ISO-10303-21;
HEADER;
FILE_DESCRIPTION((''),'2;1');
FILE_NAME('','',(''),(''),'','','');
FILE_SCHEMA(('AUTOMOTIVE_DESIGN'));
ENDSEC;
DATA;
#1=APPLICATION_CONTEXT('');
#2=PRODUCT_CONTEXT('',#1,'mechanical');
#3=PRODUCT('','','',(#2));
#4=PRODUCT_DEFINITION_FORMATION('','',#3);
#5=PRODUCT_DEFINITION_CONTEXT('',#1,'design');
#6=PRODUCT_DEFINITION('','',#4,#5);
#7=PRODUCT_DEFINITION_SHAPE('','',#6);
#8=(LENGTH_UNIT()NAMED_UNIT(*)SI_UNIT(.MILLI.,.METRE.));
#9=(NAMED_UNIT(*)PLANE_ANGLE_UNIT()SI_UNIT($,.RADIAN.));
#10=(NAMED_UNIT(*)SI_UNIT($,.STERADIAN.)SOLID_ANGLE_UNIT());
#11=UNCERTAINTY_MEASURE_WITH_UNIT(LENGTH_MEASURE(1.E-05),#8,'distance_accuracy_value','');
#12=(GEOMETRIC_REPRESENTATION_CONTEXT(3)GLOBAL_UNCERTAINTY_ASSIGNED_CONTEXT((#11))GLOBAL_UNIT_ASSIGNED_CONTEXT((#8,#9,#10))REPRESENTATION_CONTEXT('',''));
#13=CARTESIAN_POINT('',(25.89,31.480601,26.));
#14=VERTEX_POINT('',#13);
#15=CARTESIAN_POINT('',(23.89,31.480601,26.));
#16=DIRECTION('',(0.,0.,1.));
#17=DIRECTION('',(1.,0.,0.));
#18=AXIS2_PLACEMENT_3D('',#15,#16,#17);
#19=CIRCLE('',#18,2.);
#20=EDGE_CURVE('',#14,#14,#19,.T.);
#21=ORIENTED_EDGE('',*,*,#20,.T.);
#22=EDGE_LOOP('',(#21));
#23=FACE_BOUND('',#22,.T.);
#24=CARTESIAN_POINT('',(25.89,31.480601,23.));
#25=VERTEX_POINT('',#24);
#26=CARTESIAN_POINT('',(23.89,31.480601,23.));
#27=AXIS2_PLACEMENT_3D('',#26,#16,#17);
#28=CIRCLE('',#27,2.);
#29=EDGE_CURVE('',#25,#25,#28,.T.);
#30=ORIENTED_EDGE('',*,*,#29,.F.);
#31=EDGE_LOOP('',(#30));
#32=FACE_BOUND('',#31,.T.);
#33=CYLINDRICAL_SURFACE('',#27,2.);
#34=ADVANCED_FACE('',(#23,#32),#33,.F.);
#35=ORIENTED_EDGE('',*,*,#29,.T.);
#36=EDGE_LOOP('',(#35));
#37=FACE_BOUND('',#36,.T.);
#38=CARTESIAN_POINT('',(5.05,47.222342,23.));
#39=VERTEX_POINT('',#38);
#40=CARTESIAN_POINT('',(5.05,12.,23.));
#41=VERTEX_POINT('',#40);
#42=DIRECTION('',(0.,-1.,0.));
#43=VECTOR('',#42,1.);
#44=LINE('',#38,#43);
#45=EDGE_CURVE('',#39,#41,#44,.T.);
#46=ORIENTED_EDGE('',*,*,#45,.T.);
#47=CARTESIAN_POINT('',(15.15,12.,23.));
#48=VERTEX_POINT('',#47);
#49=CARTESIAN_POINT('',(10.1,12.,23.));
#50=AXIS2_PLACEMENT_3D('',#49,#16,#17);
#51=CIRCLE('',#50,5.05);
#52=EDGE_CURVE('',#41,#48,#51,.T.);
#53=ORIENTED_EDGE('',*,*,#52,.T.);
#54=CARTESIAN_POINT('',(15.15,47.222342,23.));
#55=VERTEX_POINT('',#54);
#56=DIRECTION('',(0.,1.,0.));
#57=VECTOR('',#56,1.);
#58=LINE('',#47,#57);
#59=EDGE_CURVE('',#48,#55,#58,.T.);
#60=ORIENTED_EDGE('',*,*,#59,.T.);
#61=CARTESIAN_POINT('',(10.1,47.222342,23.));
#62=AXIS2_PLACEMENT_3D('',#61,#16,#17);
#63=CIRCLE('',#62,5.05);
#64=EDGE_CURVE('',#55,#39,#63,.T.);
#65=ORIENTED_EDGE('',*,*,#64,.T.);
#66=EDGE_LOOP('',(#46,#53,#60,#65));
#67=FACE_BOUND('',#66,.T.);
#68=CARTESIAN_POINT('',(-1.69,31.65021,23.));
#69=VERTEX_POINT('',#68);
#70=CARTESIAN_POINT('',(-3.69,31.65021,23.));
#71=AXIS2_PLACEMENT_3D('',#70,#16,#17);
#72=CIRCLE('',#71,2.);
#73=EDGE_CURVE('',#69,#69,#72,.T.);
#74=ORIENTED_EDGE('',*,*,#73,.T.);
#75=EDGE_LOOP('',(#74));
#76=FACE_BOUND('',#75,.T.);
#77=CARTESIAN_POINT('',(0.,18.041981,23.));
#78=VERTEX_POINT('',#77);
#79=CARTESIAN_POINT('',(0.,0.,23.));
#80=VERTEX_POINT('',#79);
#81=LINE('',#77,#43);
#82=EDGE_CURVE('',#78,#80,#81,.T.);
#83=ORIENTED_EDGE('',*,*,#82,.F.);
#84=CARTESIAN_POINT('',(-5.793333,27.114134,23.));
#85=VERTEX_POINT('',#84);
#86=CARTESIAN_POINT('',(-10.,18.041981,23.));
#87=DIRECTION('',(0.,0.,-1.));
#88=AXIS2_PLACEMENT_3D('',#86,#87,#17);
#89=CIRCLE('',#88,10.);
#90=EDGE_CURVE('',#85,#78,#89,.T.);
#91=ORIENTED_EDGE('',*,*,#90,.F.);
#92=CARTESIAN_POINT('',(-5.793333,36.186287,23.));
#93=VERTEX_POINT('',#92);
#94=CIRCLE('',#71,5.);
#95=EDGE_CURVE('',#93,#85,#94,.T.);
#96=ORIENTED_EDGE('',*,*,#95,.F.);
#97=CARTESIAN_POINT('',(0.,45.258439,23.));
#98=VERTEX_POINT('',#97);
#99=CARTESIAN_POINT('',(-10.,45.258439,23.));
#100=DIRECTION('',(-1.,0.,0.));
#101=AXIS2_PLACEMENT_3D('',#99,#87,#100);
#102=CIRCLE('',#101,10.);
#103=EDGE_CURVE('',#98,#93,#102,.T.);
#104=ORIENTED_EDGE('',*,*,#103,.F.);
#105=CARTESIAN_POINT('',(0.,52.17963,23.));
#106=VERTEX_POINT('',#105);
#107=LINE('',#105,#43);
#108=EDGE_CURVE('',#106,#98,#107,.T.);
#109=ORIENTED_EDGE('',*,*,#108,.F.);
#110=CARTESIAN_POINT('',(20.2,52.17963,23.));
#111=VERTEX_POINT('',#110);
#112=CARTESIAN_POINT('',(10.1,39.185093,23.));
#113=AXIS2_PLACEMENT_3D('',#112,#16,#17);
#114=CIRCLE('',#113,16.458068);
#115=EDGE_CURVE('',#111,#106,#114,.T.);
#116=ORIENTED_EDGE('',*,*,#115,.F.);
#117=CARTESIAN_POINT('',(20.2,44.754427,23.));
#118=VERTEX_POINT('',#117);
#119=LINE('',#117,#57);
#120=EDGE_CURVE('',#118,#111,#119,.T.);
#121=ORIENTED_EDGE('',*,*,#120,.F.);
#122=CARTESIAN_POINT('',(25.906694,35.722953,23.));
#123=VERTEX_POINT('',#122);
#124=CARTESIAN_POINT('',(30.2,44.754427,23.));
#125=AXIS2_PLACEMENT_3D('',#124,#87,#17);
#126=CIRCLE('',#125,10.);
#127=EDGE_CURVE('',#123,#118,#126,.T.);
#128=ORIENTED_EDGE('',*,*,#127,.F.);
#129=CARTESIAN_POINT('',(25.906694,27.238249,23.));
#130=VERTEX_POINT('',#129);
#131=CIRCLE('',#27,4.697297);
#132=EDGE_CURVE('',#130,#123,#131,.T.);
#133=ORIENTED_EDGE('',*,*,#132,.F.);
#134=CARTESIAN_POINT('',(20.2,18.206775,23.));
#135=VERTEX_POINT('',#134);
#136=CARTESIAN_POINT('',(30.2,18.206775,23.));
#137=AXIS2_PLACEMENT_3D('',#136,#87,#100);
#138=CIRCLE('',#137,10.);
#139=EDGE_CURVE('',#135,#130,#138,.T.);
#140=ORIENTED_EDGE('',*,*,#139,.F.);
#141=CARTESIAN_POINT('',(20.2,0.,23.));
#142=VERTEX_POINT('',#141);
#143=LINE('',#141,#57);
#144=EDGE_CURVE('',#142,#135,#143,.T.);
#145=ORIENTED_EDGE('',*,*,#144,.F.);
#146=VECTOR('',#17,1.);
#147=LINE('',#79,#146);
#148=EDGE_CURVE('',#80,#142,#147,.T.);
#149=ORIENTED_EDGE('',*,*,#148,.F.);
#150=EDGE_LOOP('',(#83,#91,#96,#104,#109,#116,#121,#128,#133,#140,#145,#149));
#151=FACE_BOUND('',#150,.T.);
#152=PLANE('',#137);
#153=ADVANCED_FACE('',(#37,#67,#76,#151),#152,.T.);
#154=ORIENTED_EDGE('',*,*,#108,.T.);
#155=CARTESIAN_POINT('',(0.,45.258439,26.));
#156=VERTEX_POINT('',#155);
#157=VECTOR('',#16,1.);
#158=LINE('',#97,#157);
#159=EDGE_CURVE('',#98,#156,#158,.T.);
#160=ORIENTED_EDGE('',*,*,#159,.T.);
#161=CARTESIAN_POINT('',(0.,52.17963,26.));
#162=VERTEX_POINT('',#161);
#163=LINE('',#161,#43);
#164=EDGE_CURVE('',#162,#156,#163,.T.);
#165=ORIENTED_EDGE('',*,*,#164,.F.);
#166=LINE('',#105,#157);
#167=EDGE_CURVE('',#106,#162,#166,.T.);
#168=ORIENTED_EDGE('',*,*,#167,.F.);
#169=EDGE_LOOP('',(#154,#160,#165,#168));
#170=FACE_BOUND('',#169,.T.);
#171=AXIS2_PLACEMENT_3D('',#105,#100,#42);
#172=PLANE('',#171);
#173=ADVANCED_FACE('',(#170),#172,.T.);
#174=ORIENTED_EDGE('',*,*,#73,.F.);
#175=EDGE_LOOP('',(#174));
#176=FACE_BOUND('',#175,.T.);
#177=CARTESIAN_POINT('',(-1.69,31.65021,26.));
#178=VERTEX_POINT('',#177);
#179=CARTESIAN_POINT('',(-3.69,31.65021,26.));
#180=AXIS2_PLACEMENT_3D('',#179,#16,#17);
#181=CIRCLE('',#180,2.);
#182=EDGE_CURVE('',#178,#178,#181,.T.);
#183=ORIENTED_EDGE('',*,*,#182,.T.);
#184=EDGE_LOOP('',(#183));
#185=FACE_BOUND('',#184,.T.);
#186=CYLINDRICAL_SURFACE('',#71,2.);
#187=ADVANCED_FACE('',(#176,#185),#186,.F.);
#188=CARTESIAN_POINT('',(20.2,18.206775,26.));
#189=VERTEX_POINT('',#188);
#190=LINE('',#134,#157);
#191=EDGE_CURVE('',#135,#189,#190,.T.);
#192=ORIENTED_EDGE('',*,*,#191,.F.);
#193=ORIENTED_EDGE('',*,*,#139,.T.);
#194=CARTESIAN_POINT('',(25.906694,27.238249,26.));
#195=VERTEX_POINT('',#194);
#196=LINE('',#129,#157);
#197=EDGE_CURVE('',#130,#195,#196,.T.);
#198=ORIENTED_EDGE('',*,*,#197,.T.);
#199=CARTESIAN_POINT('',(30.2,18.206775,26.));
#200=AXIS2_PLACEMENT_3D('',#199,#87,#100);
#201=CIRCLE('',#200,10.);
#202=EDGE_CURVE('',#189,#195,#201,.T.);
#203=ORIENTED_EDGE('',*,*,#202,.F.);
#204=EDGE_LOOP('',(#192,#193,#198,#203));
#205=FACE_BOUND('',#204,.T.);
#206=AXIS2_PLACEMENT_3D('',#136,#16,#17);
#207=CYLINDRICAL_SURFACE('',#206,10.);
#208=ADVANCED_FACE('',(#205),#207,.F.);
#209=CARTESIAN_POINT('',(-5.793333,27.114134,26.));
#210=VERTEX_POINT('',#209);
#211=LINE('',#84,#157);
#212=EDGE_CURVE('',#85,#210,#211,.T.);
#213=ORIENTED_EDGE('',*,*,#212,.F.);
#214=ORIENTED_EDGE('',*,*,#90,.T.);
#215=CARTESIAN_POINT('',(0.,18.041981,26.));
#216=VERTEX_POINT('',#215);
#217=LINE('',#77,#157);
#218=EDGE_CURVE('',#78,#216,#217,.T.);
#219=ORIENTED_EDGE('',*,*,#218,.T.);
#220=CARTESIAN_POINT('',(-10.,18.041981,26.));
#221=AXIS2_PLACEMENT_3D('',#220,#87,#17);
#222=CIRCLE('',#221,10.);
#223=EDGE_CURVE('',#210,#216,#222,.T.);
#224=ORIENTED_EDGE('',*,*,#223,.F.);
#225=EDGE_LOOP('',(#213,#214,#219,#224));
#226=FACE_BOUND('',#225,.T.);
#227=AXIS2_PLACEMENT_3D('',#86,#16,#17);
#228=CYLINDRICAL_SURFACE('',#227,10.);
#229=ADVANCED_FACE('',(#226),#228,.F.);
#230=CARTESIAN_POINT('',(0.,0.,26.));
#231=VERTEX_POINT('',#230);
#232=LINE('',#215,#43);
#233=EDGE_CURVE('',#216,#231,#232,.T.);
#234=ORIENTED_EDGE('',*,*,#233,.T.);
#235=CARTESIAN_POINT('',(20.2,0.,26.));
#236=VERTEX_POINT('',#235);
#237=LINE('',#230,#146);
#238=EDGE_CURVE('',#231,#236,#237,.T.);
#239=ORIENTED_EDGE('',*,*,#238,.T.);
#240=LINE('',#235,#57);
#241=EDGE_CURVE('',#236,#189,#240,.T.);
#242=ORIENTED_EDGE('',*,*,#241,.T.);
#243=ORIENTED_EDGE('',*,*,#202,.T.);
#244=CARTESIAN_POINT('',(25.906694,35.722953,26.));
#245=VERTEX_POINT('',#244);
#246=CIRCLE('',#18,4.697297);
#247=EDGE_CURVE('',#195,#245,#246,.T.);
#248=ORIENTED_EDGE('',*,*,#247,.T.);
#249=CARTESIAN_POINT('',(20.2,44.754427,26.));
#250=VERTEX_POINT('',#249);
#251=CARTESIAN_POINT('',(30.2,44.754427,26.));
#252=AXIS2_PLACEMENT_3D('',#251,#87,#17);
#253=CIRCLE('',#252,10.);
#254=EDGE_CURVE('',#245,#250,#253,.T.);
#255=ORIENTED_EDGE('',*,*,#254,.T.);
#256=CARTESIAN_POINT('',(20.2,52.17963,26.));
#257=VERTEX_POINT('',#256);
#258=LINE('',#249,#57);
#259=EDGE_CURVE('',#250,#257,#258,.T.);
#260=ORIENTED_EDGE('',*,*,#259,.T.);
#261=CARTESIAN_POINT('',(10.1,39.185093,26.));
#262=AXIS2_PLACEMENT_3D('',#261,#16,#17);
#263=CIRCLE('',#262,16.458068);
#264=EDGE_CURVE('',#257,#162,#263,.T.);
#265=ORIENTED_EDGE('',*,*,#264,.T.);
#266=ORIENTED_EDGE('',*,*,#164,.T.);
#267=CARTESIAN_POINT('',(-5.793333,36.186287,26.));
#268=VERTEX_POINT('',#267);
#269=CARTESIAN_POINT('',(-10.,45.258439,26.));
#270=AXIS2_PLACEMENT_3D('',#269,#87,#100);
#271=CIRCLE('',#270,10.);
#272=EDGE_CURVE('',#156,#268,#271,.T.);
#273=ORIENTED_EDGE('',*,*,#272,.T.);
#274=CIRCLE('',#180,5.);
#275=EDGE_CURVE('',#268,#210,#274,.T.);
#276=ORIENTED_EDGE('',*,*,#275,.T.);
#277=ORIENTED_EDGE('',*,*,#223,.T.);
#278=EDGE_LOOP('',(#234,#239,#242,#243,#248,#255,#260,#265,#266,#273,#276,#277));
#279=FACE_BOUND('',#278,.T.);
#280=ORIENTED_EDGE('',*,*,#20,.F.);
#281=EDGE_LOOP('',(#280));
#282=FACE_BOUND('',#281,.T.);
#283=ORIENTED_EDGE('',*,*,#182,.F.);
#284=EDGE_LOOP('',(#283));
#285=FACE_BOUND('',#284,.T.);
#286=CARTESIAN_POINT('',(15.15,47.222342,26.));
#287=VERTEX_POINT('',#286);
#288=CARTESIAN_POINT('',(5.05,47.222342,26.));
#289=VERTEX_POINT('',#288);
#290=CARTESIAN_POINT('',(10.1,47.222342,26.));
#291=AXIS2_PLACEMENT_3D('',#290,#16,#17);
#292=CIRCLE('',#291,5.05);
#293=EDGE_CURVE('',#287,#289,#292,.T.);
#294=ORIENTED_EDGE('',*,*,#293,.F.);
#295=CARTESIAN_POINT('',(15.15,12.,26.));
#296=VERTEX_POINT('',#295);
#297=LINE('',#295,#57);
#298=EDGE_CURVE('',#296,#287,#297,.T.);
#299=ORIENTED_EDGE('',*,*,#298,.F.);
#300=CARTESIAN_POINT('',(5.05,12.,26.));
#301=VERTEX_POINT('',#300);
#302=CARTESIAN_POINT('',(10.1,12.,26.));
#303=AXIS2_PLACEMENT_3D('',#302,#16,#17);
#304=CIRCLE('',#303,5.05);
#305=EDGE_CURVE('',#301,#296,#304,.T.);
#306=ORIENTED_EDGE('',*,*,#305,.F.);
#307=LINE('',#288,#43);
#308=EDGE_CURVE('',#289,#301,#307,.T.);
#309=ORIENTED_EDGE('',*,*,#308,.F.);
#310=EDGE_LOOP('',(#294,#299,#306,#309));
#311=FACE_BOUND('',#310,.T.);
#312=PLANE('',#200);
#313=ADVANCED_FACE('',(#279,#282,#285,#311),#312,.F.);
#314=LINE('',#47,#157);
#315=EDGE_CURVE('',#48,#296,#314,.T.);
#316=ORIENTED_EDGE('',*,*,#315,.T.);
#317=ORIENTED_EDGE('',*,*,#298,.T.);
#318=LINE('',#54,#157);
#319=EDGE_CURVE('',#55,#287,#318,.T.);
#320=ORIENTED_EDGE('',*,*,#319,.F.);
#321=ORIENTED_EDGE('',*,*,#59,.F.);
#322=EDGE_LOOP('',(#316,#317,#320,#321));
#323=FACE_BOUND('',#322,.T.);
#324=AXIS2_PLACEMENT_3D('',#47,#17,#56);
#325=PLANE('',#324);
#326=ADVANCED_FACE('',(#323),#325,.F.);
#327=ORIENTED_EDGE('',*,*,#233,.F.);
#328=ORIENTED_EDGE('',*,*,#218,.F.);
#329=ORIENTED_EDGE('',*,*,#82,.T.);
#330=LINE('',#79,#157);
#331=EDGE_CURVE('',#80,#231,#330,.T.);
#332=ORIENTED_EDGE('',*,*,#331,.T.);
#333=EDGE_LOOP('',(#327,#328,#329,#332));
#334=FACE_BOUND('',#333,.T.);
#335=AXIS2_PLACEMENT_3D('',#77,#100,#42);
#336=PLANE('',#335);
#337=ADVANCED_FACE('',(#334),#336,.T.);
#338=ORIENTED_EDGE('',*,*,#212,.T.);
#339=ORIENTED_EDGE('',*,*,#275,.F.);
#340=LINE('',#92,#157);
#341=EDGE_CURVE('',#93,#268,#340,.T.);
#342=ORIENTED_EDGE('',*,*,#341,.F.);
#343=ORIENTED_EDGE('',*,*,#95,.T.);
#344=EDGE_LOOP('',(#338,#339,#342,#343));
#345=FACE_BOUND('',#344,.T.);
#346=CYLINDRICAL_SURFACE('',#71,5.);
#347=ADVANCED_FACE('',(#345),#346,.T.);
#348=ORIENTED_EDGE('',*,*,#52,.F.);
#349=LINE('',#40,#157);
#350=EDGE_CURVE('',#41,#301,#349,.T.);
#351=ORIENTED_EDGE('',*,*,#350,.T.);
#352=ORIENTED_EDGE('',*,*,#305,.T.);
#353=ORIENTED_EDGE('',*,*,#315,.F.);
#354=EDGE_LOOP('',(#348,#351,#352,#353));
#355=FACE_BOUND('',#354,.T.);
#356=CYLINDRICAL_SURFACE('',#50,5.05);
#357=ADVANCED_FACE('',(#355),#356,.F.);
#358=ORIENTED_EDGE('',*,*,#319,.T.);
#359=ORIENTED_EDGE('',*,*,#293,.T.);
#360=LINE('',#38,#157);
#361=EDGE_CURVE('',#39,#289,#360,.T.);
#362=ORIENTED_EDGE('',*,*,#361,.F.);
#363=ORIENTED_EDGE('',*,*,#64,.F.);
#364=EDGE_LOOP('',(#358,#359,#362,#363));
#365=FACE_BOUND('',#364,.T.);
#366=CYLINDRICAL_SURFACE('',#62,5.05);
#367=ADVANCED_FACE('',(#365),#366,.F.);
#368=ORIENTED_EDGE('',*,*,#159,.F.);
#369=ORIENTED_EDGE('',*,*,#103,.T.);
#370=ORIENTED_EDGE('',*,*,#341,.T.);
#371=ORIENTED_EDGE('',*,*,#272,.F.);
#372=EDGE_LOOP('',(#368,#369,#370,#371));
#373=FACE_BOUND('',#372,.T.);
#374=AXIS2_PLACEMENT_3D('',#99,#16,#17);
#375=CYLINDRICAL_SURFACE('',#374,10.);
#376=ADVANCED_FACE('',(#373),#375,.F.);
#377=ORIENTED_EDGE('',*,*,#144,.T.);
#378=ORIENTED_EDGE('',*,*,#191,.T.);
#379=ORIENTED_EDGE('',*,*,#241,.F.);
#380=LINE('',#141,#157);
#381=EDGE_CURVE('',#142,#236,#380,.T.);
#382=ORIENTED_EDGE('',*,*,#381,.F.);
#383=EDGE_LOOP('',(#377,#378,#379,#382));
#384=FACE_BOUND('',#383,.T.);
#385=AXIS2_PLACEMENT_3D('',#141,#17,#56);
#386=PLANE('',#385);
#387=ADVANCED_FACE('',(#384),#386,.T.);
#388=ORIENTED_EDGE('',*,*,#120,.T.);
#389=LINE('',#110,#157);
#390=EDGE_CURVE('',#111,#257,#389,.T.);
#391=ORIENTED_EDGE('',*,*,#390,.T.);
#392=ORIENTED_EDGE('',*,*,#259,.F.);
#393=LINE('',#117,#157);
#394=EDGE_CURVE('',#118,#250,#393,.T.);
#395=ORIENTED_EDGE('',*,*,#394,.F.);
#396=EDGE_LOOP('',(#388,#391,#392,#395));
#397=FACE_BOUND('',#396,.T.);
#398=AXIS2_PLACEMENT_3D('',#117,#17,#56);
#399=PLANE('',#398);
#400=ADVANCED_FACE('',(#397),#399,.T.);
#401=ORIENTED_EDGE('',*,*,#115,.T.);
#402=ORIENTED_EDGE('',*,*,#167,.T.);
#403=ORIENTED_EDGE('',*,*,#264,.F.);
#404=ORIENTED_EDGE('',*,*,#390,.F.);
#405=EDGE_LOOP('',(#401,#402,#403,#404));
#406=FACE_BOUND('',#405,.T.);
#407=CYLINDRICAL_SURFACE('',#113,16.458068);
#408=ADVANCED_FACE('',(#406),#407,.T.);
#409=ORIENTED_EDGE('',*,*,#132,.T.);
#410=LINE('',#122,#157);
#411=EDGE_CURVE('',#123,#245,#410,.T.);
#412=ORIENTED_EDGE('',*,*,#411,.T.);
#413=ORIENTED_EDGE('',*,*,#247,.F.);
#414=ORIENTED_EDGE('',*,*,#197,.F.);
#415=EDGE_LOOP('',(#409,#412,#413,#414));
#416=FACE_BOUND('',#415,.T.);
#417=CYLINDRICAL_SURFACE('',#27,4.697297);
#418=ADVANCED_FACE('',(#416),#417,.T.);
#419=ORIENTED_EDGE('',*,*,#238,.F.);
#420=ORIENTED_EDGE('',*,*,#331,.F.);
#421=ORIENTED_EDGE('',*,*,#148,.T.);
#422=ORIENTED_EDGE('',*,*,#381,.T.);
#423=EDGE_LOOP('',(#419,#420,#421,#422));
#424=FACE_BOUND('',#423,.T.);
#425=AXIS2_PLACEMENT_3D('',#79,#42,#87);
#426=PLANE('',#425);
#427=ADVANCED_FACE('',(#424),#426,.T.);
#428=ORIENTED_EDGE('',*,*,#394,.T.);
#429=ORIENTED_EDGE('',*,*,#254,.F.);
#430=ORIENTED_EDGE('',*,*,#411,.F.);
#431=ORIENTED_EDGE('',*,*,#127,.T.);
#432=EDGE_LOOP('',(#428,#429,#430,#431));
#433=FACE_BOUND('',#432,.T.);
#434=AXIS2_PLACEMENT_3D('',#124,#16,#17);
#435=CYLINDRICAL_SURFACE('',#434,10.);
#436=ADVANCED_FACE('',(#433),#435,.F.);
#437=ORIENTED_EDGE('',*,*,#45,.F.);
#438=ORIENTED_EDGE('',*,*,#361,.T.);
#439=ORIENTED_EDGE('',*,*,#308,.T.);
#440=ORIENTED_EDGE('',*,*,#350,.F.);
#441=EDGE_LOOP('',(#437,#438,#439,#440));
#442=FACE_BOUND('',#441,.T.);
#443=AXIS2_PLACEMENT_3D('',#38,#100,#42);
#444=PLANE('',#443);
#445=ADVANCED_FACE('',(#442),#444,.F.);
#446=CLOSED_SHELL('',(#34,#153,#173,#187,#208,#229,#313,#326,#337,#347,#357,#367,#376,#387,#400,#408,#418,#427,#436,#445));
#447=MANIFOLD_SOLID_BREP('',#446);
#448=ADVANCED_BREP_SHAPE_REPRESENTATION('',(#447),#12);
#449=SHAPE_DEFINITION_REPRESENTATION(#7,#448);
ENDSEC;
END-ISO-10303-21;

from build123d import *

# Parameters (mm, degrees)
SKETCH1_R           = 2
BOSS_EXTRUDE1_DEPTH = 3


with BuildPart() as part:
    # Sketch1 → Boss-Extrude1 (new body)
    with BuildSketch(Plane.XY.offset(26)):
        with BuildLine():
            Line((0, 0), (20.2, 0))
            Line((20.2, 0), (20.2, 18.206774978))
            ThreePointArc((20.2, 18.206774978), (21.746211994, 23.548447782), (25.906693669, 27.238248874))
            ThreePointArc((25.906693669, 27.238248874), (28.587297404, 31.480600764), (25.906693669, 35.722952653))
            ThreePointArc((25.906693669, 35.722952653), (21.746211994, 39.412753746), (20.2, 44.754426549))
            Line((20.2, 44.754426549), (20.2, 52.179630025))
            ThreePointArc((20.2, 52.179630025), (10.1, 55.643160629), (0, 52.179630025))
            Line((0, 52.179630025), (0, 45.258439456))
            ThreePointArc((0, 45.258439456), (-1.571872489, 39.876370461), (-5.793333333, 36.186286704))
            ThreePointArc((-5.793333333, 36.186286704), (-8.69, 31.650210328), (-5.793333333, 27.114133952))
            ThreePointArc((-5.793333333, 27.114133952), (-1.571872489, 23.424050195), (0, 18.0419812))
            Line((0, 18.0419812), (0, 0))
        make_face()
        with Locations((-3.69, 31.650210328)):
            Circle(SKETCH1_R, mode=Mode.SUBTRACT)
        with Locations((23.89, 31.480600764)):
            Circle(SKETCH1_R, mode=Mode.SUBTRACT)
        with BuildLine():
            Line((15.15, 12), (15.15, 47.222342094))
            ThreePointArc((15.15, 47.222342094), (10.1, 52.272342094), (5.05, 47.222342094))
            Line((5.05, 47.222342094), (5.05, 12))
            ThreePointArc((5.05, 12), (10.1, 6.95), (15.15, 12))
        make_face(mode=Mode.SUBTRACT)
    extrude(amount=-BOSS_EXTRUDE1_DEPTH)


solid = part.part
